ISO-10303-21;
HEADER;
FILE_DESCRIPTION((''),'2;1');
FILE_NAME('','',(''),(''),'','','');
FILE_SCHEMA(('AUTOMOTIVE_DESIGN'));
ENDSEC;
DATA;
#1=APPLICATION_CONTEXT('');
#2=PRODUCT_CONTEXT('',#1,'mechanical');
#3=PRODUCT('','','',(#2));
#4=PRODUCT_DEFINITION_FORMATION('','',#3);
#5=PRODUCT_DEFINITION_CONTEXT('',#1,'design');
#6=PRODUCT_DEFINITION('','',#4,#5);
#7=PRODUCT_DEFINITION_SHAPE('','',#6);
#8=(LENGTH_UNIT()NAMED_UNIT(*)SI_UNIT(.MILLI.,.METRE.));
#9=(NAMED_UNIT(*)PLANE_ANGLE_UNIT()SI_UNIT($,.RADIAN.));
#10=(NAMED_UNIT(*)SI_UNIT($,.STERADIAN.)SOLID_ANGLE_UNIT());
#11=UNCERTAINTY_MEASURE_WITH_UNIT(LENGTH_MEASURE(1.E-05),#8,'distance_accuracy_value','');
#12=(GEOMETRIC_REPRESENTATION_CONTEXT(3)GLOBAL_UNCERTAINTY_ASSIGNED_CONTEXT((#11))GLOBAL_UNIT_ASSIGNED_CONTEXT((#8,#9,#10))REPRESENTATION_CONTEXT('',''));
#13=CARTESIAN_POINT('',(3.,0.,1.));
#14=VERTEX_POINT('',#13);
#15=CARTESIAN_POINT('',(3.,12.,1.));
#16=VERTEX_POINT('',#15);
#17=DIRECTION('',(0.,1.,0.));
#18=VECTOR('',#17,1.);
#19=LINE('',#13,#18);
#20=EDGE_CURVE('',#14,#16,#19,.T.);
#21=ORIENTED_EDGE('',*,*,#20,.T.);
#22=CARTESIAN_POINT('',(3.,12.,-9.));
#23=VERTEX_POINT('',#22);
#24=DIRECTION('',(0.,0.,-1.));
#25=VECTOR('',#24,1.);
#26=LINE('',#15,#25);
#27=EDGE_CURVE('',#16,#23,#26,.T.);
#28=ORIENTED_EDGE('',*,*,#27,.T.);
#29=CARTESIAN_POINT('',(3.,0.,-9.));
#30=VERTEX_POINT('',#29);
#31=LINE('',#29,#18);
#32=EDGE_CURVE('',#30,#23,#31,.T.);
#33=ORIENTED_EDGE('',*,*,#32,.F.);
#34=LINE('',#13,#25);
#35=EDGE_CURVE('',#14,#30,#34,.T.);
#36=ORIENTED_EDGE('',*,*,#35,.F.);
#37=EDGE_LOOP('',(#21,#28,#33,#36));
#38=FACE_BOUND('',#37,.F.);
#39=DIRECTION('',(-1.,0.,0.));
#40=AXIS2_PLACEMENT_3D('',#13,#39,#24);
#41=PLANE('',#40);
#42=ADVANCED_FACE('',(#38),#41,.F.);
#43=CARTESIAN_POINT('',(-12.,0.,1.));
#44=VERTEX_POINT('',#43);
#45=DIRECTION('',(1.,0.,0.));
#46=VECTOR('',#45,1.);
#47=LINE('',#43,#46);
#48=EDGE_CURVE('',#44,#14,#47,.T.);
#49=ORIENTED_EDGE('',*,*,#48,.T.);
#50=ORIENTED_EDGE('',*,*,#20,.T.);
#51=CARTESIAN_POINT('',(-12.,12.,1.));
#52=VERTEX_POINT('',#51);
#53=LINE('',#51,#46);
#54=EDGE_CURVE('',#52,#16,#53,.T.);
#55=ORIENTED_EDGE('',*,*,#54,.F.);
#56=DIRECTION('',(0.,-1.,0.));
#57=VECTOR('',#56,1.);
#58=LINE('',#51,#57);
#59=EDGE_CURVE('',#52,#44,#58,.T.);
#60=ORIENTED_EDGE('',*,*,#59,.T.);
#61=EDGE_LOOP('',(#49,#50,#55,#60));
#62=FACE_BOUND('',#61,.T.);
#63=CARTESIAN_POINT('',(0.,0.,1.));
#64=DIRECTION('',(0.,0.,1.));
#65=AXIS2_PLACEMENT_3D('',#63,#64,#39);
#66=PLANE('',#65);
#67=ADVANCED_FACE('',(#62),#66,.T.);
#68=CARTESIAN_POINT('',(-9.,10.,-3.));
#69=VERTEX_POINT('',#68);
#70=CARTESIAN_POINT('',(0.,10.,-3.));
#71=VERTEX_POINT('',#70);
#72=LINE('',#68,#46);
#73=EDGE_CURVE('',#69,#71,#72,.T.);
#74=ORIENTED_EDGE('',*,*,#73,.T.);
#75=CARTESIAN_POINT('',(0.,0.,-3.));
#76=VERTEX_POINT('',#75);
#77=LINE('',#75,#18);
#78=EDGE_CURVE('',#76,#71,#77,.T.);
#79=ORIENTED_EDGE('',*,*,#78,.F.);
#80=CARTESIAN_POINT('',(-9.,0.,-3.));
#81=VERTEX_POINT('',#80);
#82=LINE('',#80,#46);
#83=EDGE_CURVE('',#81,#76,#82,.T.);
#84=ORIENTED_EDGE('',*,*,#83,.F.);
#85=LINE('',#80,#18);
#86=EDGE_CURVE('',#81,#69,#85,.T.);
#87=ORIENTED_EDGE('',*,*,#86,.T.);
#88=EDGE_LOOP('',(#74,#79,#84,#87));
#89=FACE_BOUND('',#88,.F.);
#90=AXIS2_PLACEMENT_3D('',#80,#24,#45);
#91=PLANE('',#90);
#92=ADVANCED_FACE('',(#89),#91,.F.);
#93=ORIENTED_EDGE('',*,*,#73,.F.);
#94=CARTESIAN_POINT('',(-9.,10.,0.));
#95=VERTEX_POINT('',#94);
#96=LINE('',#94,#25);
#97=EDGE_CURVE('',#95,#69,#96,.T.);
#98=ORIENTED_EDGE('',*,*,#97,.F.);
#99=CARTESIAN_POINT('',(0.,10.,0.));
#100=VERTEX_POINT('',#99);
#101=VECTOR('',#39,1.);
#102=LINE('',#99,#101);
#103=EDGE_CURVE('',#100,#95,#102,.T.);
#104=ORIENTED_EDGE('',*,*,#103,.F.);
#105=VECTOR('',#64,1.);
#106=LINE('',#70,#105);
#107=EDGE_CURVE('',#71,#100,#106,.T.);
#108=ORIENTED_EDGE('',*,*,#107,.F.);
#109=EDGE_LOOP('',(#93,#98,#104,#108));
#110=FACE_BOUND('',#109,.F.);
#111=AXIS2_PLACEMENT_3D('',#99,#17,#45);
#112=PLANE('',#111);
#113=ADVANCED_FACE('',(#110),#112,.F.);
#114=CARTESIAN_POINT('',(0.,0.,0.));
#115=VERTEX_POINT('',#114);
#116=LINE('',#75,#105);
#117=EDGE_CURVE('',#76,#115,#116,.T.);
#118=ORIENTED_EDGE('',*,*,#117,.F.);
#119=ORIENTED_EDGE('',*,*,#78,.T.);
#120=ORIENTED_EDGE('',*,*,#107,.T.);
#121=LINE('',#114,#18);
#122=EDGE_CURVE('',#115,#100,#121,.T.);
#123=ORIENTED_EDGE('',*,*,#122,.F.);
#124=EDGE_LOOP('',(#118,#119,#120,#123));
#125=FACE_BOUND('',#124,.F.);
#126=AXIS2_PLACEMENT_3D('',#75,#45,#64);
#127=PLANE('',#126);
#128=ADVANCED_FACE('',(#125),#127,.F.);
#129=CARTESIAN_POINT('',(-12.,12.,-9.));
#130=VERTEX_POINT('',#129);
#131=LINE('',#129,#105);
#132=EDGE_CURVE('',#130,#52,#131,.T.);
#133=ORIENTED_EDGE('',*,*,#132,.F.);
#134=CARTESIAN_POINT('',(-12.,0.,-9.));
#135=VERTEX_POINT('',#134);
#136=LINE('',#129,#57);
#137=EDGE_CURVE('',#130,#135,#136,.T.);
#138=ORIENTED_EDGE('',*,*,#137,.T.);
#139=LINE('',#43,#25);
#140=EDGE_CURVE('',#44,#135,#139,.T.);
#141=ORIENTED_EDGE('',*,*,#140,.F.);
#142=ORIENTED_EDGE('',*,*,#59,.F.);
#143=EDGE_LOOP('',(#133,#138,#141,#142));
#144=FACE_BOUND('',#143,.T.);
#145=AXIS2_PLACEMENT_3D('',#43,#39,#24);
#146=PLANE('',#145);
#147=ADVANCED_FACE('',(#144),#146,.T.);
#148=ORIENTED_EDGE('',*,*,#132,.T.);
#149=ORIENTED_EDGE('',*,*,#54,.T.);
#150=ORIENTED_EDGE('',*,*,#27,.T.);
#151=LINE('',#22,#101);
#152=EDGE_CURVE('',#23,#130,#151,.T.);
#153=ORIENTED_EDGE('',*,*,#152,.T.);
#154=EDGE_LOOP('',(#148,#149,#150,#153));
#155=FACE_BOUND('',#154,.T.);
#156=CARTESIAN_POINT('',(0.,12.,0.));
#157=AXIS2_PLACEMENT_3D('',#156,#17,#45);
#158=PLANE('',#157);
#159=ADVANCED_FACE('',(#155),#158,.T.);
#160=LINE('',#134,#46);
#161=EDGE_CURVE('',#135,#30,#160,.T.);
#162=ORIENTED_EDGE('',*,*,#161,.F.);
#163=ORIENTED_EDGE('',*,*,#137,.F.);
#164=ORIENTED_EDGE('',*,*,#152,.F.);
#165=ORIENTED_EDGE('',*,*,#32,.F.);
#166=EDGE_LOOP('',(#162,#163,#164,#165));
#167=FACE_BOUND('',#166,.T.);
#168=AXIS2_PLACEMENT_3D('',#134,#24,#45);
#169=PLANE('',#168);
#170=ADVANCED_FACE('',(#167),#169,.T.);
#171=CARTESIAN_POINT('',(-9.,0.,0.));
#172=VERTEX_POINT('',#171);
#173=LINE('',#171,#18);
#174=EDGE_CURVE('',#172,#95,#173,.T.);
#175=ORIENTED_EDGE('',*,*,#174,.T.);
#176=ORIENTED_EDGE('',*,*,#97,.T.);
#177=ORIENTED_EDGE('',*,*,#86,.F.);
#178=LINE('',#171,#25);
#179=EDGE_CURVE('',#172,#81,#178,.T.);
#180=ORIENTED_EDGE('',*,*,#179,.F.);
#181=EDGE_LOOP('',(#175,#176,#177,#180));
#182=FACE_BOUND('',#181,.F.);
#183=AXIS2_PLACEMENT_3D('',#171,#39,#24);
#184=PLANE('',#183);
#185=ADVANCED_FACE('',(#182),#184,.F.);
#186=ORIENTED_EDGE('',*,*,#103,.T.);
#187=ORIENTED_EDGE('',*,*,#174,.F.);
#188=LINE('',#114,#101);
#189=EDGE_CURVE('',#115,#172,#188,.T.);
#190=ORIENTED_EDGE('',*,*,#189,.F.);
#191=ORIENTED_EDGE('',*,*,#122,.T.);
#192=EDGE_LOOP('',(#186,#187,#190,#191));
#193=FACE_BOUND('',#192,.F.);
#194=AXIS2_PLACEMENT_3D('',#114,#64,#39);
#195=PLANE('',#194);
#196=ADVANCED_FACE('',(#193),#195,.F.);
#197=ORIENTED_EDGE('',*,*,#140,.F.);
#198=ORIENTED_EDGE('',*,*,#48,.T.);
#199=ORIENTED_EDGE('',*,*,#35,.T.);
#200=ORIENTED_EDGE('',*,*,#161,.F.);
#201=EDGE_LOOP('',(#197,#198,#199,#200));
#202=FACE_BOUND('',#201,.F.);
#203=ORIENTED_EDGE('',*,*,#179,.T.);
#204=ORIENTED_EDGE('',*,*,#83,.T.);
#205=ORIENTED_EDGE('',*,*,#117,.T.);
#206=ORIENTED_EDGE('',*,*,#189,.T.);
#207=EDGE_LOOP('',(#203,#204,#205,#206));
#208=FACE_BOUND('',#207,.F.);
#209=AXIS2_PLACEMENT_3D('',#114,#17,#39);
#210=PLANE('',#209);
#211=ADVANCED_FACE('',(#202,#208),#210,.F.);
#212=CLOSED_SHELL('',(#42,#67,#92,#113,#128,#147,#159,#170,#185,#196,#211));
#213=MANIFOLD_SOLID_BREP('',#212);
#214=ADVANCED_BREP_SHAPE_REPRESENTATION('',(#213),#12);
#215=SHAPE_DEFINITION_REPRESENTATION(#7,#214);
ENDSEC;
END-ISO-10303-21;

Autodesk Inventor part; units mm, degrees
ref_plane "YZ Plane" through (0, 0, 0) normal (1, 0, 0) x (0, 1, 0)
ref_plane "XZ Plane" through (0, 0, 0) normal (0, 1, 0) x (-1, 0, 0)
ref_plane "XY Plane" through (0, 0, 0) normal (0, 0, 1) x (1, 0, 0)
sketch "Sketch3" plane through (0, 0, 0) normal (0, 1, 0) x (-1, 0, 0)
  line L0 (0, 0) -> (9, 0)
  line L1 (9, 0) -> (9, -3)
  line L2 (9, -3) -> (0, -3)
  line L3 (0, -3) -> (0, 0)
  line L4 (0, 1) -> (12, 1)
  line L5 (12, 1) -> (12, -9)
  line L6 (12, -9) -> (-3, -9)
  line L7 (0, 1) -> (-3, 1)
  line L8 (-3, 1) -> (-3, -9)
  dimension "d17" = 3
  dimension "d19" = 12
  dimension "d20" = 10
extrude "Extrusion3" add sketch "Sketch3" along normal blind 10
sketch "Sketch4" plane through (0, 10, 0) normal (0, 1, 0) x (1, 0, 0)
  line L0 (-12, 9) -> (-12, -1) projected
  line L1 (3, 9) -> (-12, 9) projected
  line L2 (3, -1) -> (3, 9) projected
  line L3 (-12, -1) -> (3, -1) projected
  point P0 (0, 0)
extrude "Extrusion4" add sketch "Sketch4" along normal blind 2
properties part number "reed-switch-design-test"
